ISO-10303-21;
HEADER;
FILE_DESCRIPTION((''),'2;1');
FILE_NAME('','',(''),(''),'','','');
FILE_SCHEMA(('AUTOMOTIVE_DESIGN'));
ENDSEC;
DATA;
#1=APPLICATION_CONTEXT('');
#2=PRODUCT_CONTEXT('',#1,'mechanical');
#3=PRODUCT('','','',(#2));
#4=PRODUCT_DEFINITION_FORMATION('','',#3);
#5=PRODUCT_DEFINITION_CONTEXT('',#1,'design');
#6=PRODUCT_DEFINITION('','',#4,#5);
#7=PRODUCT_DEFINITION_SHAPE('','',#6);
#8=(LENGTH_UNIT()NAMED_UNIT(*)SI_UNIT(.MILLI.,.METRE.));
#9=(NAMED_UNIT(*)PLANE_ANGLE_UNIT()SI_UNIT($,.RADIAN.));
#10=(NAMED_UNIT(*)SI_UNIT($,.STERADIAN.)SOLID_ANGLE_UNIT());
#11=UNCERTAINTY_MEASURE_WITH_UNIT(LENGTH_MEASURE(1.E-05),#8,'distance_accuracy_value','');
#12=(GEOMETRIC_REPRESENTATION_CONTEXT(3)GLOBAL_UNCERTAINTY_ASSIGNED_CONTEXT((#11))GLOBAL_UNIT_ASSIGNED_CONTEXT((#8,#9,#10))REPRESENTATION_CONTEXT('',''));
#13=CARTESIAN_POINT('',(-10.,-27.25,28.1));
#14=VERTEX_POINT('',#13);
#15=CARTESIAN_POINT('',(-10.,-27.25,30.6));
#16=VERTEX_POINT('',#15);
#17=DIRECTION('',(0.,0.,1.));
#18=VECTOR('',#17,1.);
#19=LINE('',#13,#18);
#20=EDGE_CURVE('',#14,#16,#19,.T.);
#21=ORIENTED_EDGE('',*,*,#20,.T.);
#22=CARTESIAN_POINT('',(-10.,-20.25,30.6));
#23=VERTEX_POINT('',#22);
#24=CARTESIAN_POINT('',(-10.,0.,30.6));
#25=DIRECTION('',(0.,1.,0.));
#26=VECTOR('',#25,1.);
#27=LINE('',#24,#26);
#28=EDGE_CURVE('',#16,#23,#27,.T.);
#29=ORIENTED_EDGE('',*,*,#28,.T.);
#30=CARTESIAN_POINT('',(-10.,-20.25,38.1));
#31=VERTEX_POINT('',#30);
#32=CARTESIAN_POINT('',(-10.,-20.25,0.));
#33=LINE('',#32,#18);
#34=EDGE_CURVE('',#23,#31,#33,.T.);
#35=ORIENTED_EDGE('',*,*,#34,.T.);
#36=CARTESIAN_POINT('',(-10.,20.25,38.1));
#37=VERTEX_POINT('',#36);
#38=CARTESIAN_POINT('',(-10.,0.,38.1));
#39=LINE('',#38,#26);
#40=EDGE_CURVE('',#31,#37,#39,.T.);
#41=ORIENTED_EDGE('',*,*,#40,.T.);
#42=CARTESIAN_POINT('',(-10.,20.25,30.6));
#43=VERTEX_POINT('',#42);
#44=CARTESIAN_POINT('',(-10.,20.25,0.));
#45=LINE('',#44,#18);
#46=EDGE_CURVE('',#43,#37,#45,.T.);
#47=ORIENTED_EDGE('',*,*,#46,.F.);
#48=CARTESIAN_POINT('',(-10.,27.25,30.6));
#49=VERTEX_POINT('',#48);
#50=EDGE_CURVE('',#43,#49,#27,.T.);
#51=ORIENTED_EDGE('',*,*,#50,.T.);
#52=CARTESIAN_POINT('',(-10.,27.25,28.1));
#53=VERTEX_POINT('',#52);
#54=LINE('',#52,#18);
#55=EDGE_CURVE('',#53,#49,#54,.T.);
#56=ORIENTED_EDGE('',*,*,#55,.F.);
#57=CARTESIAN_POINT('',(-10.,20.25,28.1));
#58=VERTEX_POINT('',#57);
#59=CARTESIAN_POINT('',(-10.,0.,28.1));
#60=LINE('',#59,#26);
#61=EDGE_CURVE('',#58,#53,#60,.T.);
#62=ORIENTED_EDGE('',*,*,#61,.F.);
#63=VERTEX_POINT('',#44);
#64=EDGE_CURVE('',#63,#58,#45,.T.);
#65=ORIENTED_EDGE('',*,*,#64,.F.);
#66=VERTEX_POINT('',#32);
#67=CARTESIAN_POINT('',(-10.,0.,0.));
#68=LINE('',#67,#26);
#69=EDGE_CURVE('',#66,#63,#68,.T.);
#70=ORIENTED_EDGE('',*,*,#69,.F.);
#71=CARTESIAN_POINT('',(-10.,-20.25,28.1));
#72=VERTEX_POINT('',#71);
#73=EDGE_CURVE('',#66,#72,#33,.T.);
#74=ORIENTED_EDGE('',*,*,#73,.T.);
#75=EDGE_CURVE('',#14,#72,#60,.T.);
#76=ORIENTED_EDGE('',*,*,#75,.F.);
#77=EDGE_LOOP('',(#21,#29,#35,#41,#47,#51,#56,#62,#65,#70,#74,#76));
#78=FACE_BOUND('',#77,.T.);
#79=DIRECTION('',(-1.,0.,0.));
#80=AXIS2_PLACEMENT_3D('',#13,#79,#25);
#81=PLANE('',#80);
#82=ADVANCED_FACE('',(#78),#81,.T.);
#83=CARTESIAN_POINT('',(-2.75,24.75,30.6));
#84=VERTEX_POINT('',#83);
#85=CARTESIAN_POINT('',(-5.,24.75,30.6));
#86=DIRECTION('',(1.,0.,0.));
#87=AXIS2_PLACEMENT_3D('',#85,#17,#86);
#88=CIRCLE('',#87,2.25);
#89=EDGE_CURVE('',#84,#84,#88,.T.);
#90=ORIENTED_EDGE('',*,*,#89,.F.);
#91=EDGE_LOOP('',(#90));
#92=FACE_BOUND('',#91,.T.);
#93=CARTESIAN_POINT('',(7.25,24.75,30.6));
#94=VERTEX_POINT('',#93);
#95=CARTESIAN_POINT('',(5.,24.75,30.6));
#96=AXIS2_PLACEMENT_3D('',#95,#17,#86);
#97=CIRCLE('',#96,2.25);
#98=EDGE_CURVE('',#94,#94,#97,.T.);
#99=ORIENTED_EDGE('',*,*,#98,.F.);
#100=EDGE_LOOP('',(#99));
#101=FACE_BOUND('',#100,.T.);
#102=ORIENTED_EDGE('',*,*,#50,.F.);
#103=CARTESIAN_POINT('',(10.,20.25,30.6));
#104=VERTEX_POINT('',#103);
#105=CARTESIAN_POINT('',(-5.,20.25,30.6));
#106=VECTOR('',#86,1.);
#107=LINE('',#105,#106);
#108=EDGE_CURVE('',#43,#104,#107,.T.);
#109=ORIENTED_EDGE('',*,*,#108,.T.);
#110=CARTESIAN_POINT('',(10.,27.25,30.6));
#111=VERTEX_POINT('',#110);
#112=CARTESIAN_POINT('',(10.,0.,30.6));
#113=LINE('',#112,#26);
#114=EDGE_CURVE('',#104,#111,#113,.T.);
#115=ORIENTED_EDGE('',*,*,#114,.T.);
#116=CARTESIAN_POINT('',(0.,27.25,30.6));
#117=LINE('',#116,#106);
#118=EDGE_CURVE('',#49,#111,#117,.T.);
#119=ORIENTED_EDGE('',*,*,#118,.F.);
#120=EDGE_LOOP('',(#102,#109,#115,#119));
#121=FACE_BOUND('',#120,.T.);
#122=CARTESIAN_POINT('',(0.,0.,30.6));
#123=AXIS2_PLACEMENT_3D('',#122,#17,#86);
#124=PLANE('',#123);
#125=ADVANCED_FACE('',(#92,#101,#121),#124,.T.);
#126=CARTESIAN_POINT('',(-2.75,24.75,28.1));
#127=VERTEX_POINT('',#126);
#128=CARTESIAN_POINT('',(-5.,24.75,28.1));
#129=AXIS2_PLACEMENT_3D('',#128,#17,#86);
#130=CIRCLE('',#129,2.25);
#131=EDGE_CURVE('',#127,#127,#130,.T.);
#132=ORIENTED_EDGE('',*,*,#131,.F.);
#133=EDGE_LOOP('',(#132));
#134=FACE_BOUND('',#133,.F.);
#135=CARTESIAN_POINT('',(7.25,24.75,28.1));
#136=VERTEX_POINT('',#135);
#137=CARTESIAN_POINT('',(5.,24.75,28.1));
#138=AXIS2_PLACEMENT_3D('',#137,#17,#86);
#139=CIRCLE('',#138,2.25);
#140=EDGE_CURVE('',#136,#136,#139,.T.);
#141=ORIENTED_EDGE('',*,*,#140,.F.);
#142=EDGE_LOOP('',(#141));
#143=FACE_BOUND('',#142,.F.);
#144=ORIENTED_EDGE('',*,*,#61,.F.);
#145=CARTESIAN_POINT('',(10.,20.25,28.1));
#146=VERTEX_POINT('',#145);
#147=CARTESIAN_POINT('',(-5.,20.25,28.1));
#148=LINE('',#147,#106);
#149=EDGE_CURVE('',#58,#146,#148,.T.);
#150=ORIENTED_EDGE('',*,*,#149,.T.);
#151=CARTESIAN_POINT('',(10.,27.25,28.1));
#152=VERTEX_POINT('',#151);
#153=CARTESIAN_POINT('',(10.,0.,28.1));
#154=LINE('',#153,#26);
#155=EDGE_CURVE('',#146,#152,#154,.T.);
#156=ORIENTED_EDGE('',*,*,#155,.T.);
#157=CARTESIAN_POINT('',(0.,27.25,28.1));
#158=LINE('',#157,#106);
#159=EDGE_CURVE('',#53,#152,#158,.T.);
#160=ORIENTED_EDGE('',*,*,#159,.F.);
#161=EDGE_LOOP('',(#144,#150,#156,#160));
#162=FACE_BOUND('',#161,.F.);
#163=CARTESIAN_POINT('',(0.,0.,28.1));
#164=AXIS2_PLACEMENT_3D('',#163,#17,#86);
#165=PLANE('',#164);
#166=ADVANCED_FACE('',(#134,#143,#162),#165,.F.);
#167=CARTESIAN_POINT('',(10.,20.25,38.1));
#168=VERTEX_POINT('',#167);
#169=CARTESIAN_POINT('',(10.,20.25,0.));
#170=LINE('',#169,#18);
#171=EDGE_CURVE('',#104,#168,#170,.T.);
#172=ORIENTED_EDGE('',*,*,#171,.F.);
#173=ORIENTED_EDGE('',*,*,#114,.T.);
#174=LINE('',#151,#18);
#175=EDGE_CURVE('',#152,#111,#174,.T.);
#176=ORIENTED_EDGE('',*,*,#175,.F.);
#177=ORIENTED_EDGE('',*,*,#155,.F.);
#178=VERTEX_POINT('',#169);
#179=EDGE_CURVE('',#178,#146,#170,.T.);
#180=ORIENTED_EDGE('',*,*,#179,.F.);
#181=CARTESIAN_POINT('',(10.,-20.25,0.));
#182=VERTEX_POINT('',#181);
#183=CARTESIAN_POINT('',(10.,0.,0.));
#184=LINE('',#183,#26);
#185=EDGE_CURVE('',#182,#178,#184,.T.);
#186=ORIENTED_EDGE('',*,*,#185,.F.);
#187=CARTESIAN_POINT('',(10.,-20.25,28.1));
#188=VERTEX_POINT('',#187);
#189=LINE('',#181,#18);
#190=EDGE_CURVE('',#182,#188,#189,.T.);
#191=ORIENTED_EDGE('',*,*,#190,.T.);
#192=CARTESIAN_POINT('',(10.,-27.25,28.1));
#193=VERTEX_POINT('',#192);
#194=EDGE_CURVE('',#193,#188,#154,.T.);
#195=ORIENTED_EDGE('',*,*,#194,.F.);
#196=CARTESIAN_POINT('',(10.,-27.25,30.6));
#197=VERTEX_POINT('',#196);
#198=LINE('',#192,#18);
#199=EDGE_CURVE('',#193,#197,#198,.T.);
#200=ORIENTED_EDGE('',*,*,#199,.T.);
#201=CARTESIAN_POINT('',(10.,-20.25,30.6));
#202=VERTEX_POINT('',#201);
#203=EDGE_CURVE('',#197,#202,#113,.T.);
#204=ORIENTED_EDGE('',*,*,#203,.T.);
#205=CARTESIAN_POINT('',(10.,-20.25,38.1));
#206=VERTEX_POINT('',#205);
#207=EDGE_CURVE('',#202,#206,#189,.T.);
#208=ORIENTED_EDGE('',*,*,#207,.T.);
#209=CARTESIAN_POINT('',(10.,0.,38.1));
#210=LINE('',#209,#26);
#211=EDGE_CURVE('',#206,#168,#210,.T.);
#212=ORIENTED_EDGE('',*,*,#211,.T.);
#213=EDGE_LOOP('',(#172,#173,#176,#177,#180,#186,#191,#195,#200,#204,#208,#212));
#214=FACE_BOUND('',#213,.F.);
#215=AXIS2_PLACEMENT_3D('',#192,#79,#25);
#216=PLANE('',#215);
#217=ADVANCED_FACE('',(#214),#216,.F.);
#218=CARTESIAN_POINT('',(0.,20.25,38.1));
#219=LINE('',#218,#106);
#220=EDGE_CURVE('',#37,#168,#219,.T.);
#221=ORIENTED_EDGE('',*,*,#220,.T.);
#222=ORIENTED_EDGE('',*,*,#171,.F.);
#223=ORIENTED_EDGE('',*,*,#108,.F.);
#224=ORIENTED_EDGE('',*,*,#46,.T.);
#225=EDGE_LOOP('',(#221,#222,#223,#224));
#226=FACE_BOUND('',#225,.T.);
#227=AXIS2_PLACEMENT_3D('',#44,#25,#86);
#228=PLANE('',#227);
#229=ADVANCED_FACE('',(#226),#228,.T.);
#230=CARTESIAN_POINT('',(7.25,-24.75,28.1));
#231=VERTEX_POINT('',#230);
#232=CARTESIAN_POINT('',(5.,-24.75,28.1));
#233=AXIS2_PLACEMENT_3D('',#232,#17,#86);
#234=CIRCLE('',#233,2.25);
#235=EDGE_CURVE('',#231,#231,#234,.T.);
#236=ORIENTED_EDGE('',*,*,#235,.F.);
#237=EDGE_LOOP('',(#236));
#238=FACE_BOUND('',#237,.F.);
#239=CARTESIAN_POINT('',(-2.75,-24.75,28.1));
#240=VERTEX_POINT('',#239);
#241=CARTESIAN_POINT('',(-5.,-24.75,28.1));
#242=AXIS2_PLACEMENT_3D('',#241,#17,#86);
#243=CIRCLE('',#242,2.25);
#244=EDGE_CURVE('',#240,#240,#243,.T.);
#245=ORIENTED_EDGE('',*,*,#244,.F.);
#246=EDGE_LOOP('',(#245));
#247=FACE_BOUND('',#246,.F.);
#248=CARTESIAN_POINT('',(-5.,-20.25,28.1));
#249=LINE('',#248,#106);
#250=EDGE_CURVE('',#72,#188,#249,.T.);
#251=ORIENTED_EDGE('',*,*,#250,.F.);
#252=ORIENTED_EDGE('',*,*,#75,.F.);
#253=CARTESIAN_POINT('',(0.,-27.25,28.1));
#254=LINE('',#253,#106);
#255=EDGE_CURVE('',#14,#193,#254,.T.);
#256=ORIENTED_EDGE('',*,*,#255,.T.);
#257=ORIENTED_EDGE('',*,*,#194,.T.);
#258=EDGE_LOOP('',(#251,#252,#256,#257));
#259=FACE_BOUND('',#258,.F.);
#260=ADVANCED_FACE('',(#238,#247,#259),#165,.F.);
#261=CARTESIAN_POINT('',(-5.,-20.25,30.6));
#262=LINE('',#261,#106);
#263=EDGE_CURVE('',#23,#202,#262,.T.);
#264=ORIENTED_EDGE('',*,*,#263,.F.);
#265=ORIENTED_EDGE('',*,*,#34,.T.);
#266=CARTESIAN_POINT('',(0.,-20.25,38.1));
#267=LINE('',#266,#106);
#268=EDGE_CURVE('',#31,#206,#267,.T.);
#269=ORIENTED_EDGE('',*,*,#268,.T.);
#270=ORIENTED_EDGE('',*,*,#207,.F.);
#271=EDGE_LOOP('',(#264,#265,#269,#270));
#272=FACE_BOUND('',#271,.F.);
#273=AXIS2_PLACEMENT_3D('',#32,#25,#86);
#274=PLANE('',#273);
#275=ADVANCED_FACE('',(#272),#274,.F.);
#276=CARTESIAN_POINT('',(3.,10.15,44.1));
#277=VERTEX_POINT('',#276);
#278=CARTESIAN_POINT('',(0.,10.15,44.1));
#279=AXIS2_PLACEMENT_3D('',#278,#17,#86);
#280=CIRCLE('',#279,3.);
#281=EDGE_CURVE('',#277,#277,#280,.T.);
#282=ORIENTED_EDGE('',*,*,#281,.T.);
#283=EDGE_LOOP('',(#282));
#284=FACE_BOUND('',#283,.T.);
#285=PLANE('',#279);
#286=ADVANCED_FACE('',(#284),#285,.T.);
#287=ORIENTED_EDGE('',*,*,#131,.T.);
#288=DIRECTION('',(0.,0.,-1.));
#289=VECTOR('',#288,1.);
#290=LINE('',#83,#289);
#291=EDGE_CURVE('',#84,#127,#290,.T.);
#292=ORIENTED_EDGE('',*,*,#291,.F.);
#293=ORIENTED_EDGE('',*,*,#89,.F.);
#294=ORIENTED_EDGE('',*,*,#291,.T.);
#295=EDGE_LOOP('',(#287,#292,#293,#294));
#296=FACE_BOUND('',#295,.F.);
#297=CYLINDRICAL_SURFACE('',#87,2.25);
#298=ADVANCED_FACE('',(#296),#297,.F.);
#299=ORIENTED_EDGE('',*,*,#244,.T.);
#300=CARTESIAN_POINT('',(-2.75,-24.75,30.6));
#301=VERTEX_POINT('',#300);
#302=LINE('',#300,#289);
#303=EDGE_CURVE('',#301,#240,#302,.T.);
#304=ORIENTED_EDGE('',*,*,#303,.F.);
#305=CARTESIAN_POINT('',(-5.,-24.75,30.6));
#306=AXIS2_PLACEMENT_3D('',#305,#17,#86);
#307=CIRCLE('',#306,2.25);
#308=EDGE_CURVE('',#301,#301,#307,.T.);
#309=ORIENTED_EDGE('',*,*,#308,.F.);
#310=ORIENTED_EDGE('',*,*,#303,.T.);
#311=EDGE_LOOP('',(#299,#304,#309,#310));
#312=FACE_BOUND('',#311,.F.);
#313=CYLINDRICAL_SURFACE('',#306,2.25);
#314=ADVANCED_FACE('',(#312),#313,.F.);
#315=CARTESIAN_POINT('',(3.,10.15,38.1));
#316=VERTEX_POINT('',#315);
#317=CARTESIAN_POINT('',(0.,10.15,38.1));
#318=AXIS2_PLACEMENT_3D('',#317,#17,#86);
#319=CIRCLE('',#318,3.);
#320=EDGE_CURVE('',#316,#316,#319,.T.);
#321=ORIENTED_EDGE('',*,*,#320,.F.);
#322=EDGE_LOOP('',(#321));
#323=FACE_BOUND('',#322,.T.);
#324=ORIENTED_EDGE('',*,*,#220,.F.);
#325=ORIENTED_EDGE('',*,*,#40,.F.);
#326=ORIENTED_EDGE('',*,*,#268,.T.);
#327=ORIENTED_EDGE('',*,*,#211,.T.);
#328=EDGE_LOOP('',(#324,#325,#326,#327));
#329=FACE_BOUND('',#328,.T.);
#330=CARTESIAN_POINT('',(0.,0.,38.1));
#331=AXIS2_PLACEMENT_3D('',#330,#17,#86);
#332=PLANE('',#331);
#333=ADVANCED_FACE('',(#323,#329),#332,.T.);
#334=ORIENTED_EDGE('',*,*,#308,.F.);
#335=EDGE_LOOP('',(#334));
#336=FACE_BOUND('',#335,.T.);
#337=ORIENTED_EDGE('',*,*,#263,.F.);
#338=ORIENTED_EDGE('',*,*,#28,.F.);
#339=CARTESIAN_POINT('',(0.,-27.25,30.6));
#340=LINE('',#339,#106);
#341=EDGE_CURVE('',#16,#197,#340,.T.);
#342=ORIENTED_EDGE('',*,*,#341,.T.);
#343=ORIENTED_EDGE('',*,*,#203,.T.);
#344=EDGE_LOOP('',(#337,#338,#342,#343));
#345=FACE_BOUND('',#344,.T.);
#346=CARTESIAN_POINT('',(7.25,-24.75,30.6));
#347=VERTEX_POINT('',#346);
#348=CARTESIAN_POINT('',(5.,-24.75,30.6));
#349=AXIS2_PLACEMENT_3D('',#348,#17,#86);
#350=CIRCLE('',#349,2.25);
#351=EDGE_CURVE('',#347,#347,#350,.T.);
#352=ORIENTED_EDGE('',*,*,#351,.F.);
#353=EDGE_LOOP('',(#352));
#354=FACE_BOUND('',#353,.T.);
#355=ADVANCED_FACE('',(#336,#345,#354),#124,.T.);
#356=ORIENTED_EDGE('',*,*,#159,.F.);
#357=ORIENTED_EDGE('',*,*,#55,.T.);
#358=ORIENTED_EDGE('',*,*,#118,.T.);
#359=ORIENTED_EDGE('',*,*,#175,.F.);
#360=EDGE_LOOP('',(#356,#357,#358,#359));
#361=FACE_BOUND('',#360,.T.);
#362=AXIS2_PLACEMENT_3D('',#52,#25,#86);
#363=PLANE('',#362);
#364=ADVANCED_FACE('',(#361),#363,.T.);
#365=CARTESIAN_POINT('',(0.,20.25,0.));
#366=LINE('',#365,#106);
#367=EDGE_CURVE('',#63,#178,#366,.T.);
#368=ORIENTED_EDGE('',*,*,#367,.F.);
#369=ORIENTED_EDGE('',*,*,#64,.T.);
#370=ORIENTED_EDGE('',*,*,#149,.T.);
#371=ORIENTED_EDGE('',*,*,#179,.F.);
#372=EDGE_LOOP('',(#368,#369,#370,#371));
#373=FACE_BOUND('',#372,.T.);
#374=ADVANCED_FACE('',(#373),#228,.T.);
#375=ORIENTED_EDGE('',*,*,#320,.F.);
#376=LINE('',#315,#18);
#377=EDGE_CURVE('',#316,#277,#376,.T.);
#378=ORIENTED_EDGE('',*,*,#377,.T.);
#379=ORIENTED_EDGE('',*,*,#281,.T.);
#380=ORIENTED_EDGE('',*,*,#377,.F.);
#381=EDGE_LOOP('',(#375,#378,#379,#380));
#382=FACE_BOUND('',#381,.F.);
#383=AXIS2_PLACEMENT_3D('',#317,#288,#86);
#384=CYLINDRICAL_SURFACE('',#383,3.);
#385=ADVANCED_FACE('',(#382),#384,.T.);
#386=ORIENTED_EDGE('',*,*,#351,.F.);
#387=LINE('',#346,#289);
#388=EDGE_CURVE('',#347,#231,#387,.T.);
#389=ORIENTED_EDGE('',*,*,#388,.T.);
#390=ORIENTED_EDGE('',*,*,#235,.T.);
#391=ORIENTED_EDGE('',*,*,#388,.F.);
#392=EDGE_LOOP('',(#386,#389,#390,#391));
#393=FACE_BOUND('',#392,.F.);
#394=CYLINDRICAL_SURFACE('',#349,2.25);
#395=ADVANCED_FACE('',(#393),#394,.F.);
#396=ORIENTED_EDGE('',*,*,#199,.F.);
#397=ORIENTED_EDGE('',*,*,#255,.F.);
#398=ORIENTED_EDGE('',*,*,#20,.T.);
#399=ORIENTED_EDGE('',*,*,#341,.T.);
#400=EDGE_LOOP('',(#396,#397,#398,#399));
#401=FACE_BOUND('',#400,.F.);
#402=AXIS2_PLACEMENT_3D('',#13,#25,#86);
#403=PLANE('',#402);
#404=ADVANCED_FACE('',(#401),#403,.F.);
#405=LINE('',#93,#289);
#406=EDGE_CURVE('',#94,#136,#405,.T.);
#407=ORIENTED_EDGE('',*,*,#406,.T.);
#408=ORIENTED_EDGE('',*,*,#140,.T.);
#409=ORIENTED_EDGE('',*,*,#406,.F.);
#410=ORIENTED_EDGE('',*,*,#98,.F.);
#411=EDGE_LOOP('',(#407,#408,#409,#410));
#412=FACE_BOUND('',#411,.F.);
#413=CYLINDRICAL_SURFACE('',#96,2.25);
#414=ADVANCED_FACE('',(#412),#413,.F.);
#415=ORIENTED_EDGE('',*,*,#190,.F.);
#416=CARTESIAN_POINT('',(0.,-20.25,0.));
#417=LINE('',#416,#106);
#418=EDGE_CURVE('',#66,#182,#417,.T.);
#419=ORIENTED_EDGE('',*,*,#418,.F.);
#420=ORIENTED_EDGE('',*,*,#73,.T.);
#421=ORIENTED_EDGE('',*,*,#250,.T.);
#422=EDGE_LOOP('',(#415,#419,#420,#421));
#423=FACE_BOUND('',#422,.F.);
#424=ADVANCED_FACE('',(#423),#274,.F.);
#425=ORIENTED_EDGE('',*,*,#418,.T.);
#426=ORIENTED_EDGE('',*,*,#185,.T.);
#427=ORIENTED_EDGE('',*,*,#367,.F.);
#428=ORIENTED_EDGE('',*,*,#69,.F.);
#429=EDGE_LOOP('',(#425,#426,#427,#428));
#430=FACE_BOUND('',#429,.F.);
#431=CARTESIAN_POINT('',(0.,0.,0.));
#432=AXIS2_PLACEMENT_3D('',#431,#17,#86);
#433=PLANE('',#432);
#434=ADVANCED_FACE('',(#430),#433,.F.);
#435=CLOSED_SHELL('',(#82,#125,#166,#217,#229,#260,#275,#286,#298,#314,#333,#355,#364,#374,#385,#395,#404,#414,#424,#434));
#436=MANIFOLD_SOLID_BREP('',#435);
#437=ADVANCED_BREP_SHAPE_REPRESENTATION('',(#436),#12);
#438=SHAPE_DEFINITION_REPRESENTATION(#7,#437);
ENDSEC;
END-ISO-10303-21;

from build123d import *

# Parameters (mm, degrees)
F0_W     = 20
F0_H     = 40.5
F1_DEPTH = 38.1
F3_START = 28.1
F2_W     = 20
F2_H     = 54.5
F3_DEPTH = 2.5
F4_R     = 2.25
F5_DEPTH = 2.5
F6_R     = 3
F7_DEPTH = 6


with BuildPart() as f1:
    # F0 (on Top) → F1 (new body)
    with BuildSketch(Plane.XY):
        Rectangle(F0_W, F0_H)
    extrude(amount=F1_DEPTH)

    # F2 (on Top) → F3 (join)
    with BuildSketch(Plane.XY.offset(F3_START)):
        Rectangle(F2_W, F2_H)
    extrude(amount=F3_DEPTH)

    # F4 (on face) → F5 (cut)
    with BuildSketch(Plane.XY.offset(30.6)):
        with Locations((-5, 24.75)):
            Circle(F4_R)
        with Locations((5, 24.75)):
            Circle(F4_R)
        with Locations((5, -24.75)):
            Circle(F4_R)
        with Locations((-5, -24.75)):
            Circle(F4_R)
    extrude(amount=-F5_DEPTH, mode=Mode.SUBTRACT)

    # F6 (on face) → F7 (join)
    with BuildSketch(Plane.XY.offset(38.1)):
        with Locations((0, 10.15)):
            Circle(F6_R)
    extrude(amount=F7_DEPTH)


solid = f1.part
